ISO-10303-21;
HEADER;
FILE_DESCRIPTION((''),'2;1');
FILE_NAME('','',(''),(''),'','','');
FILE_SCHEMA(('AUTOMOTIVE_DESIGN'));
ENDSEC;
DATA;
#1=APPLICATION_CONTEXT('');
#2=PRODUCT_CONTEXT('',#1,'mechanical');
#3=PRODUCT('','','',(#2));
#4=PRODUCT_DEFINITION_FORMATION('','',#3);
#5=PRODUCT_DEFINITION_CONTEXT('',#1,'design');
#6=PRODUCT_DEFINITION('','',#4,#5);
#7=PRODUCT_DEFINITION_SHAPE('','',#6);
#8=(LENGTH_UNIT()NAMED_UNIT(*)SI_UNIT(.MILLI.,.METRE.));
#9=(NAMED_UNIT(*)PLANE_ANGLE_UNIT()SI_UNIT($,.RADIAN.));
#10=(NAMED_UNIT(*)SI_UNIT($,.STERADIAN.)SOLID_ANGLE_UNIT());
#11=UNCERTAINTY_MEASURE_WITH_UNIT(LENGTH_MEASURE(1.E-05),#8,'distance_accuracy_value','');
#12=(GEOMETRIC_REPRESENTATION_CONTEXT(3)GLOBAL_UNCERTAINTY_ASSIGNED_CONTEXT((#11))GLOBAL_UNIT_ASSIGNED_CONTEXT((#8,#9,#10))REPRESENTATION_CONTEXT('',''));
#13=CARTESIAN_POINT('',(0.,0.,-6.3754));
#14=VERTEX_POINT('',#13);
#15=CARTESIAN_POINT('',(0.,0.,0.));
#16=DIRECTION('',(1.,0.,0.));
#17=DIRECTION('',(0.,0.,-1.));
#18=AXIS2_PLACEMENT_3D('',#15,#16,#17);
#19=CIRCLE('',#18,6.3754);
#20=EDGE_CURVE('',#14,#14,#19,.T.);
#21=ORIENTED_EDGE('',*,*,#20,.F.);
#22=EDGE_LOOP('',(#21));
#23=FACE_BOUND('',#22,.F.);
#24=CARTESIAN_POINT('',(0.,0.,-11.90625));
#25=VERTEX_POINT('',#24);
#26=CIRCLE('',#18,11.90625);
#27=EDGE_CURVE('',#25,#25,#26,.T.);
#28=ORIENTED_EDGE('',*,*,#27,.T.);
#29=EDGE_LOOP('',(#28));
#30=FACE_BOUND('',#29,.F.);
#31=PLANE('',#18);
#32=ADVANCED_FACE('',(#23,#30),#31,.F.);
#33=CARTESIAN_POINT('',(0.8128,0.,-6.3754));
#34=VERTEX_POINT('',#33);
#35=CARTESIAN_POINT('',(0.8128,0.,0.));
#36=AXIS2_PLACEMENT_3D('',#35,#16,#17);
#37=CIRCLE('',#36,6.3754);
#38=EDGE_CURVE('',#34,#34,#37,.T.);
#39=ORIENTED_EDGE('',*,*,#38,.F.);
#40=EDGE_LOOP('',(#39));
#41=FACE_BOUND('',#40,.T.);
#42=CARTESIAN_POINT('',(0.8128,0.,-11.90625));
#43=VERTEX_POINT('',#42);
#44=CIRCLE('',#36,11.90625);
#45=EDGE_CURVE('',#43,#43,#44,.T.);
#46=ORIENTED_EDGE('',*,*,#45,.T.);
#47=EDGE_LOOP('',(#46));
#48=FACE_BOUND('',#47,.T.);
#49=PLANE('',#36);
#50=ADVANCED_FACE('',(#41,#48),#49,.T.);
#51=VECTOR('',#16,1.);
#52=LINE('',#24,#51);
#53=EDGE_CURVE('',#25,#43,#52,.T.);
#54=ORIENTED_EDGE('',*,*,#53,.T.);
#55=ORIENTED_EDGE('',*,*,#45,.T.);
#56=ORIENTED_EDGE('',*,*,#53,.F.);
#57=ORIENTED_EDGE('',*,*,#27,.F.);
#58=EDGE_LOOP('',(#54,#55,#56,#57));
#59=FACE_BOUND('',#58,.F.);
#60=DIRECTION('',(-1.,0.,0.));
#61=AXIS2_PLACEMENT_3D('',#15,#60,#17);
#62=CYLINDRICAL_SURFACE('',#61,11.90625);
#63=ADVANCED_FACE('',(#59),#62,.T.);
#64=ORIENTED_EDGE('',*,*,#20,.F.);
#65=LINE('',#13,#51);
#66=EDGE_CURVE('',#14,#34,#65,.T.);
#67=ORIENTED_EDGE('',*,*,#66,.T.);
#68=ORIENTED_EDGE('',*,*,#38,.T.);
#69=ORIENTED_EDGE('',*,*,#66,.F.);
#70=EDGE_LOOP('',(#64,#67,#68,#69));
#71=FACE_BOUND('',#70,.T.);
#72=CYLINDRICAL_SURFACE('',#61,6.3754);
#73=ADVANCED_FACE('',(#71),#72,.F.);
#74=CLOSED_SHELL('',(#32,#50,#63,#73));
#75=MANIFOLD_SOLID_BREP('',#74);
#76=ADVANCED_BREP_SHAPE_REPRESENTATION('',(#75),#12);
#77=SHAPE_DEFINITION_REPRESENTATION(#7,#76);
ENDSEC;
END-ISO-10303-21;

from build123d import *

# Parameters (mm, degrees)
SKETCH1_R      = 11.90625
SKETCH1_R_2    = 6.3754
EXTRUDE1_DEPTH = 0.8128


with BuildPart() as part:
    # Sketch1 → Extrude1 (new body)
    with BuildSketch(Plane(origin=(0, 0, 0), x_dir=(0, 0, -1), z_dir=(1, 0, 0))):
        Circle(SKETCH1_R)
        Circle(SKETCH1_R_2, mode=Mode.SUBTRACT)
    extrude(amount=EXTRUDE1_DEPTH)


solid = part.part
